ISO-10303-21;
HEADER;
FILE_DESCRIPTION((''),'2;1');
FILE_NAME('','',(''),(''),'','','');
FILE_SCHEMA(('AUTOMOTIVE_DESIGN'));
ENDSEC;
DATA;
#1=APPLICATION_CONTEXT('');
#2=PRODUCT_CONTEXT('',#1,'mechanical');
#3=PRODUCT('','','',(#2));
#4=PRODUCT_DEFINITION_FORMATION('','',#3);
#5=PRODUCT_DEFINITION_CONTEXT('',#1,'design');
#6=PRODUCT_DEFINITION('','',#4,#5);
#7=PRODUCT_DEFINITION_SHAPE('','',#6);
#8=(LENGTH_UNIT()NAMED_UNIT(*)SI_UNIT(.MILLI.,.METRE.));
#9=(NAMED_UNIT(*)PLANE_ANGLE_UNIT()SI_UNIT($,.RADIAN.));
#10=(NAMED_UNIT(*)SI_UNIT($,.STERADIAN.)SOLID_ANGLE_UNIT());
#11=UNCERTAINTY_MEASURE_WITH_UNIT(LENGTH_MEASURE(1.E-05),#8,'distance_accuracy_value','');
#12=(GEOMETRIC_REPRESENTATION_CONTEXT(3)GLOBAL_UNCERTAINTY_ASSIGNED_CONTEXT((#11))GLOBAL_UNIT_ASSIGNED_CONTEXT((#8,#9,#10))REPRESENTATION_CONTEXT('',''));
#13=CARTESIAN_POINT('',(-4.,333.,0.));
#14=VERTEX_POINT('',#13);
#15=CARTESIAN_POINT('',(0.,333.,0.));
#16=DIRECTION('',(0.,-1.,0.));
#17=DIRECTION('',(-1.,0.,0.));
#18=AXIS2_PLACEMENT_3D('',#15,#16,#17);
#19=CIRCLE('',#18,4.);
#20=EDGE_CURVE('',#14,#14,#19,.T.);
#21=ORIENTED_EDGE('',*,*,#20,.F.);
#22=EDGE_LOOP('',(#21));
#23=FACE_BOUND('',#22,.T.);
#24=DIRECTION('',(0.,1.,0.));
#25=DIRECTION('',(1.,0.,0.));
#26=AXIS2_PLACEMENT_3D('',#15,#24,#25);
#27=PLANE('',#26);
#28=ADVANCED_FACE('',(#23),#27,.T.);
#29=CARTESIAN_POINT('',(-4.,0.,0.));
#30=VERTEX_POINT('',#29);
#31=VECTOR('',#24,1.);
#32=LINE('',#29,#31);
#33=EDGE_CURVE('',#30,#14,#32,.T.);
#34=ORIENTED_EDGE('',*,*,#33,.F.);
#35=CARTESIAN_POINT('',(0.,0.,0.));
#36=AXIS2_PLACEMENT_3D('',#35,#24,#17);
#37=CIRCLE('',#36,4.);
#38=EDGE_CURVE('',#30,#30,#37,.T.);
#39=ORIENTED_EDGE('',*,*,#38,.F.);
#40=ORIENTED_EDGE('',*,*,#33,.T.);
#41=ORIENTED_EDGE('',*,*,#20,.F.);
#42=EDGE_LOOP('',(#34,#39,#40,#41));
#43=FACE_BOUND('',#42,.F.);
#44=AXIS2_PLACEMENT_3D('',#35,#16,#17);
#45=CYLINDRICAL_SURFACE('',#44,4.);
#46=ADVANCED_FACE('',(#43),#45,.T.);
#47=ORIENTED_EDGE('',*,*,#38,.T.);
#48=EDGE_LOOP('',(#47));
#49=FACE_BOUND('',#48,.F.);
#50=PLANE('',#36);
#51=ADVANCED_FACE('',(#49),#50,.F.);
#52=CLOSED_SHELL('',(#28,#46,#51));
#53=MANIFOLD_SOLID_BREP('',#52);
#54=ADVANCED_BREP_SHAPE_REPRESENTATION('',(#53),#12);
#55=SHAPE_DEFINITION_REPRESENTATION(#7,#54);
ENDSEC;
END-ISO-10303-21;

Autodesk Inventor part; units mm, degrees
ref_plane "YZ Plane" through (0, 0, 0) normal (1, 0, 0) x (0, 1, 0)
ref_plane "XZ Plane" through (0, 0, 0) normal (0, 1, 0) x (-1, 0, 0)
ref_plane "XY Plane" through (0, 0, 0) normal (0, 0, 1) x (1, 0, 0)
sketch "Boceto1" plane through (0, 0, 0) normal (0, 1, 0) x (-1, 0, 0)
  circle A0 centre (0, 0) radius 4
  dimension "d0" = 8
extrude "Extrusión1" add sketch "Boceto1" along normal blind 400
sketch "Boceto2" plane through (0, 400, 0) normal (0, 1, 0) x (1, 0, 0)
  circle A0 centre (0, 0) radius 4
extrude "Extrusión2" cut sketch "Boceto2" against normal blind 67
properties part number "Varilla_Redonda"
